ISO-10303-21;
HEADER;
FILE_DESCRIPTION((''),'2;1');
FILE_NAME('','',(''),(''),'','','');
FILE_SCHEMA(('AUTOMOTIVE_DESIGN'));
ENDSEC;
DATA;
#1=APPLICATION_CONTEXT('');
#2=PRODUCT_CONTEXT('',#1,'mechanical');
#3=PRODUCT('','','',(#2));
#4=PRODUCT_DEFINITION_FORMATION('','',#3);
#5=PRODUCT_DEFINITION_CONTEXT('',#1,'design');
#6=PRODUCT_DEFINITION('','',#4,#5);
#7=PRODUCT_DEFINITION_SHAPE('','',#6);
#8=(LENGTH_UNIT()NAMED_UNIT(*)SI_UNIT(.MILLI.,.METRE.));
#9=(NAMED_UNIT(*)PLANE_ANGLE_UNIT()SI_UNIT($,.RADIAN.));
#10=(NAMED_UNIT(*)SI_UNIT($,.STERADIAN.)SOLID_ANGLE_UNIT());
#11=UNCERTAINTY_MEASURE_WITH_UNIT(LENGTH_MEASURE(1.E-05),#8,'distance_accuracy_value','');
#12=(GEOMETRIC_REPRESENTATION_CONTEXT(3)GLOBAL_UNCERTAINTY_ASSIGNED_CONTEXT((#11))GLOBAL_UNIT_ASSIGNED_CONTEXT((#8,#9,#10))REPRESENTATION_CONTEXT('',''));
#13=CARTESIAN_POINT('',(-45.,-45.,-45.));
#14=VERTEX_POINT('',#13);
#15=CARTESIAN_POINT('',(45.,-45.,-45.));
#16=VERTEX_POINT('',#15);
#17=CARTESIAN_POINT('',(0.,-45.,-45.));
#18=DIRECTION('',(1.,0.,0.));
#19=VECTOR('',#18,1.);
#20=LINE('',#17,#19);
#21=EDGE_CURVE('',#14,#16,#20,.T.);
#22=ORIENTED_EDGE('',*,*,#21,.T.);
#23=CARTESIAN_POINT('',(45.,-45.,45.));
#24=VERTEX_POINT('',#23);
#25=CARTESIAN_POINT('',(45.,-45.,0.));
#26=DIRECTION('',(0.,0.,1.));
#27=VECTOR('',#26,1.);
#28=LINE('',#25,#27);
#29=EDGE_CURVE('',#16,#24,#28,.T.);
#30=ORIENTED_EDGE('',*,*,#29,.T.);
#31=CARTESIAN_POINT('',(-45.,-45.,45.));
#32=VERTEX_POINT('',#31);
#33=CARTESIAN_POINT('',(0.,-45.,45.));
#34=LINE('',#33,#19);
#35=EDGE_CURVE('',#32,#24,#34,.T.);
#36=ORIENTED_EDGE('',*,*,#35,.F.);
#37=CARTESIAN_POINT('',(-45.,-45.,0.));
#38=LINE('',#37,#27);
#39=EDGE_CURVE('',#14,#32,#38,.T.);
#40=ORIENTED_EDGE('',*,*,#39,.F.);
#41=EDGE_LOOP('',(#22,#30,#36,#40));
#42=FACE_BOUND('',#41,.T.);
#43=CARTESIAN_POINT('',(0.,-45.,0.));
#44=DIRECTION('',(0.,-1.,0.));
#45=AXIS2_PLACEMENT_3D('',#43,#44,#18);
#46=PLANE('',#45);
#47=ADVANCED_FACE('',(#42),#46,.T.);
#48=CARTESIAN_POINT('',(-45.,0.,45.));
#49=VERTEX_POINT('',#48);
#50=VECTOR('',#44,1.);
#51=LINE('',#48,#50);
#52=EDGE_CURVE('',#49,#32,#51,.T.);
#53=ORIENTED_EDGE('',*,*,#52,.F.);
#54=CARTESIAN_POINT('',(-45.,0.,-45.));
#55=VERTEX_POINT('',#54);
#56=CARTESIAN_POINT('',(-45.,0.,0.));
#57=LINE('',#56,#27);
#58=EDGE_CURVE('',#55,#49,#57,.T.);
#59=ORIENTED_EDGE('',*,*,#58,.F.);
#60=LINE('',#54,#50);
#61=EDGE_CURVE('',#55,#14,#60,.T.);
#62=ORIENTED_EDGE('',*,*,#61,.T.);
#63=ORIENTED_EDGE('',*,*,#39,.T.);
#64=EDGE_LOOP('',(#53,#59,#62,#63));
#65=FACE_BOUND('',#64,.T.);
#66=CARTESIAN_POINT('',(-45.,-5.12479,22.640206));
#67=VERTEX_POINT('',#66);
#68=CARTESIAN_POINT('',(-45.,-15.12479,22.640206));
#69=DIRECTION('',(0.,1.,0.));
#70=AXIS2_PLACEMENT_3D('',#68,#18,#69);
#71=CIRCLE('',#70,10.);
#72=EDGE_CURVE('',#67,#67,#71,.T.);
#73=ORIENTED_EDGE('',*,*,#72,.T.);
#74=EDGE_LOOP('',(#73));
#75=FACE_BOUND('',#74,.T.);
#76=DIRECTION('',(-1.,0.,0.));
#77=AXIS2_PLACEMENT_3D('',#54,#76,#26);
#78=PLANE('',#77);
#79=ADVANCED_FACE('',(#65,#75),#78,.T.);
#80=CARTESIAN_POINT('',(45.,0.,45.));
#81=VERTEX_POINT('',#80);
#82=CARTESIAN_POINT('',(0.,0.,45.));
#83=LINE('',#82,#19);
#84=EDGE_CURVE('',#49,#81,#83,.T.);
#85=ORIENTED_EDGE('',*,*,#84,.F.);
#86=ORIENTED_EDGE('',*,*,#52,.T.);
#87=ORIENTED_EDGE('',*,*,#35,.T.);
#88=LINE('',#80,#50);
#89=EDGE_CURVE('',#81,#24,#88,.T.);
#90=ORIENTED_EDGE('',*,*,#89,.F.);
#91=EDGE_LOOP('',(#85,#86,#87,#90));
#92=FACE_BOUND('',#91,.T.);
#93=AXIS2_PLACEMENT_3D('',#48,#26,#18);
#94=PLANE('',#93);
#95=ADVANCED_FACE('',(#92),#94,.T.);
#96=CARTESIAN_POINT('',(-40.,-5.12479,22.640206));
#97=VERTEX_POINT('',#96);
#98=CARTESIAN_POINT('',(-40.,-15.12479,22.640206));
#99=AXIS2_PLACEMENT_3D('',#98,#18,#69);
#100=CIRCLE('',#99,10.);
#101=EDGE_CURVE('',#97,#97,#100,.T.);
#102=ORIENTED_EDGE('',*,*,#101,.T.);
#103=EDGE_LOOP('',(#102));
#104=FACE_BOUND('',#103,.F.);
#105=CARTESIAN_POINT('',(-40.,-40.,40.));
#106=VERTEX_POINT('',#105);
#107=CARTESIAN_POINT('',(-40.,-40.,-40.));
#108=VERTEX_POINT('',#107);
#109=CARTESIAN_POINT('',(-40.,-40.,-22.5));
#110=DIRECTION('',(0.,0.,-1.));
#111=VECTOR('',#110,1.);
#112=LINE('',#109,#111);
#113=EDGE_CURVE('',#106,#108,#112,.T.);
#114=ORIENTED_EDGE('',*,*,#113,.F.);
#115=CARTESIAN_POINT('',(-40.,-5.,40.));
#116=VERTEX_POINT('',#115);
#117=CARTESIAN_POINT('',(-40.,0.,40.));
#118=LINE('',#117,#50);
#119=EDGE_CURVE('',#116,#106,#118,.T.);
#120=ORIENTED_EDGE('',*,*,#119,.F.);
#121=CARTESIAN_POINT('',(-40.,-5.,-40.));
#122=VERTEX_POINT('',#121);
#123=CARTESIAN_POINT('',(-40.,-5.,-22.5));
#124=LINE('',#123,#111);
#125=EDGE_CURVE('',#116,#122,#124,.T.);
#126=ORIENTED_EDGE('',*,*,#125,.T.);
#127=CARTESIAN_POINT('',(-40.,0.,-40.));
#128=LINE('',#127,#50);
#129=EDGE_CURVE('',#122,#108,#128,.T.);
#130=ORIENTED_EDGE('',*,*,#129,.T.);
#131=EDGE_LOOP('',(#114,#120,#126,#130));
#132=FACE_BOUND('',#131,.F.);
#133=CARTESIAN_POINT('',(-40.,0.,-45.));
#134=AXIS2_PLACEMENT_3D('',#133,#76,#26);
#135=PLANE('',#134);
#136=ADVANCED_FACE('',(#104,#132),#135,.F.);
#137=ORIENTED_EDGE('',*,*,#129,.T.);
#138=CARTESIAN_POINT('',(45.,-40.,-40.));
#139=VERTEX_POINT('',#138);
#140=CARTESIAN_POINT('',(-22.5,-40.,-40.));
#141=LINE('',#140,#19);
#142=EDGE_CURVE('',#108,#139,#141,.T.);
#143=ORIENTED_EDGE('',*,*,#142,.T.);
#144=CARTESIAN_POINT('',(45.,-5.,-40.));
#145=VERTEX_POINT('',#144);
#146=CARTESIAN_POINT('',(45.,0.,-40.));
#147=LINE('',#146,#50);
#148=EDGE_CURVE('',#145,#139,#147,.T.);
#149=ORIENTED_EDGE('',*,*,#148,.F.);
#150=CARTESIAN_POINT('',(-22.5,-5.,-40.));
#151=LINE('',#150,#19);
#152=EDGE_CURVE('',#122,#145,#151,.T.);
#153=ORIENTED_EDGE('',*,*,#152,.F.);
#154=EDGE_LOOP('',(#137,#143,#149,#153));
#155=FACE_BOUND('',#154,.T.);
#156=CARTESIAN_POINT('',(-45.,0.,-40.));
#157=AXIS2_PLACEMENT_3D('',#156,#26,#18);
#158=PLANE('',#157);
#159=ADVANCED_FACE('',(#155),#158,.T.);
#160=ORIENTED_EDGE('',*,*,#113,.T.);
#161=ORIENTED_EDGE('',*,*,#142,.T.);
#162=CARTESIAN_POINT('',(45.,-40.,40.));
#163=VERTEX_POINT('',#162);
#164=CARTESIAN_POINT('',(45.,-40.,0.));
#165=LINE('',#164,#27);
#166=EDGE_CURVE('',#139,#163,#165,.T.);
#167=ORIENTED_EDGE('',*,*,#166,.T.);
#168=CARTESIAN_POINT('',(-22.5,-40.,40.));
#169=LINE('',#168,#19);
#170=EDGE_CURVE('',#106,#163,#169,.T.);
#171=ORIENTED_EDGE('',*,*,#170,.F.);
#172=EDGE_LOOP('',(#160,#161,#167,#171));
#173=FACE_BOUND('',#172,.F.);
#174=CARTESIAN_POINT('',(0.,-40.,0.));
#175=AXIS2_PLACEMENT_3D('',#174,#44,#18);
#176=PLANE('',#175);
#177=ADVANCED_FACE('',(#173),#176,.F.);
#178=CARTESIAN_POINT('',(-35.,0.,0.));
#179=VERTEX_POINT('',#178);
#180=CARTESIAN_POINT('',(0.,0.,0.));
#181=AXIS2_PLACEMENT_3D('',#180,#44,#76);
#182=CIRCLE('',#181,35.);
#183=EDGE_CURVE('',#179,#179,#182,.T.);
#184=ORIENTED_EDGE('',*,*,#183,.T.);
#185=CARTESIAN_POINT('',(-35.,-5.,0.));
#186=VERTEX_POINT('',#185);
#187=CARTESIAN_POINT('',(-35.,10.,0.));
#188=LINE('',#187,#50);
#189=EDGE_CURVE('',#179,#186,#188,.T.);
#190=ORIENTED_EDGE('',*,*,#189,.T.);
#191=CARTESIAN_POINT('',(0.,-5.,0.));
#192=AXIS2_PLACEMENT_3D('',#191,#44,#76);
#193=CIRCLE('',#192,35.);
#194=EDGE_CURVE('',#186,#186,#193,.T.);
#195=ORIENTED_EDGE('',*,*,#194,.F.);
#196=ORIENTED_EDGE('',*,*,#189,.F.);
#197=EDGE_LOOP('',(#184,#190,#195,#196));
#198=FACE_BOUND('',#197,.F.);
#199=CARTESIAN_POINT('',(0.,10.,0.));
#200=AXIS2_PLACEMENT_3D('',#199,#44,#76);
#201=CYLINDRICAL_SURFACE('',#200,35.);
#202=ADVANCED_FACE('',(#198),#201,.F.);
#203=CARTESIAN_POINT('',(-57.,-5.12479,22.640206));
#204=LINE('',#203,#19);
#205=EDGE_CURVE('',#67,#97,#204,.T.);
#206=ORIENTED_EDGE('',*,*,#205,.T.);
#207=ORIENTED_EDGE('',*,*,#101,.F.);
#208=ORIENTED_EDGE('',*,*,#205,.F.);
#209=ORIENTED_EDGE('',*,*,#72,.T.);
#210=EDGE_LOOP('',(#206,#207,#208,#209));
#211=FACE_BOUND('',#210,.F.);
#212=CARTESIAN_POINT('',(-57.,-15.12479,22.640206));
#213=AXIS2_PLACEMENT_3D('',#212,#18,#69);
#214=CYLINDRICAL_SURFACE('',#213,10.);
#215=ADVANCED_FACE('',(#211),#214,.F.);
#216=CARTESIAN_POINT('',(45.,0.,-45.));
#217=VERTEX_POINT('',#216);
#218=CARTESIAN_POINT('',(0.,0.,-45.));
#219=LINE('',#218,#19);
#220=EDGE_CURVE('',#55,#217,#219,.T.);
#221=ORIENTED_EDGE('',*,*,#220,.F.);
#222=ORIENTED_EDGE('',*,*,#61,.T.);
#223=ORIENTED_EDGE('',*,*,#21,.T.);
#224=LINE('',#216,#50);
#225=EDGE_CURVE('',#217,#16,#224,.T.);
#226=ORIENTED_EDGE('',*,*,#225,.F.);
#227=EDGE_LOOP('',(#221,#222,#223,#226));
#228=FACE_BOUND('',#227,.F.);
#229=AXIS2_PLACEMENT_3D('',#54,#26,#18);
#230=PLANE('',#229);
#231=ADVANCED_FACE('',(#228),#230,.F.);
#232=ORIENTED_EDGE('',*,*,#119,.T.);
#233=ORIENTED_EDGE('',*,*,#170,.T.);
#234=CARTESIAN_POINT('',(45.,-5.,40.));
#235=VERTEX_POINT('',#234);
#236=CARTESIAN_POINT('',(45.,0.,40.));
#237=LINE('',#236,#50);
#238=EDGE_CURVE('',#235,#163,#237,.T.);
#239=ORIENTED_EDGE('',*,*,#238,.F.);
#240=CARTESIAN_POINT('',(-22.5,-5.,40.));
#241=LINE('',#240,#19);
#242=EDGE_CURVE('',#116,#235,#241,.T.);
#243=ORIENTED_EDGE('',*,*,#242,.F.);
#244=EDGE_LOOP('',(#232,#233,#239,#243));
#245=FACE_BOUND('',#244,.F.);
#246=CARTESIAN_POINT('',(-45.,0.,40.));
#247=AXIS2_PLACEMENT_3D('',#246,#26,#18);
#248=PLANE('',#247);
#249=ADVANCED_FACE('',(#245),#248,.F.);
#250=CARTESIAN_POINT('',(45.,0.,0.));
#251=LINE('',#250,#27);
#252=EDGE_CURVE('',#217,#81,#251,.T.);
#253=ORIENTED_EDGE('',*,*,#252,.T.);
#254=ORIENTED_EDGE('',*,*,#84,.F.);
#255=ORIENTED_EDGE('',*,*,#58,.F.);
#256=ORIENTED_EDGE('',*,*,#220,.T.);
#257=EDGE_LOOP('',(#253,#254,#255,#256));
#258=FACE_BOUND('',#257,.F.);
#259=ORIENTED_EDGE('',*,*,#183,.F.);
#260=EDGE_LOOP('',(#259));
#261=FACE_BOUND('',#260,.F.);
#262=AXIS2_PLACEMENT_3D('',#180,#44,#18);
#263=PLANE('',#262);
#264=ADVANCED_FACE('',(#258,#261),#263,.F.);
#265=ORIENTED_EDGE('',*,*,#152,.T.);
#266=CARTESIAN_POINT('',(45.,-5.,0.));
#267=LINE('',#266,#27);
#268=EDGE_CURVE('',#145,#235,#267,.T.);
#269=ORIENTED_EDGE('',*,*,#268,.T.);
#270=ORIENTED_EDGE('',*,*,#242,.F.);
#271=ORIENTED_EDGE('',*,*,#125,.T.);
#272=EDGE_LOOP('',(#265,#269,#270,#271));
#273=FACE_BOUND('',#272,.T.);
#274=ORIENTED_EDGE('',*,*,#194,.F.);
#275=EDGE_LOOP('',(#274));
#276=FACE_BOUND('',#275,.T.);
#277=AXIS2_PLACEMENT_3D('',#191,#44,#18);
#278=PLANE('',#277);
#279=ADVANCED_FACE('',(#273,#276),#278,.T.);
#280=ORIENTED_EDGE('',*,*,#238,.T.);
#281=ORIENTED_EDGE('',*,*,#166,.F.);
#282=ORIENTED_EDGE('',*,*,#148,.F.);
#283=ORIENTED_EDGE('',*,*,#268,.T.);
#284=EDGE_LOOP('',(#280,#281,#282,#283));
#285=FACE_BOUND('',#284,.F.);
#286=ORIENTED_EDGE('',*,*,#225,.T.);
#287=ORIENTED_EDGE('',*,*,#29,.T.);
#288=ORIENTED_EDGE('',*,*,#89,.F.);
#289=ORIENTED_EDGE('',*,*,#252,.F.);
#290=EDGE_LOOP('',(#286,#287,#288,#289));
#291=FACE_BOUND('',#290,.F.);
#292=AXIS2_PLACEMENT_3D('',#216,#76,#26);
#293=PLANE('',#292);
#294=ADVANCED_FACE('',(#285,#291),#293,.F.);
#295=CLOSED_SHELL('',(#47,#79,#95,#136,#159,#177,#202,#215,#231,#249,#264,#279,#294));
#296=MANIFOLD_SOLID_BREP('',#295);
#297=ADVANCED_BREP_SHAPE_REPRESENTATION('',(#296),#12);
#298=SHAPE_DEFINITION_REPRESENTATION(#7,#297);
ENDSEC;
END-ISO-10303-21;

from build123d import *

# Parameters (mm, degrees)
F0_W     = 90
F0_H     = 90
F1_DEPTH = 45
F2_T     = -5
F3_D     = 70
F3_DEPTH = 10
F3_TIP   = 21.030121666
F6_D     = 20
F6_DEPTH = 12
F6_TIP   = 6.0086061903


with BuildPart() as f1:
    # F0 (on Front) → F1 (new body)
    with BuildSketch(Plane.XZ):
        Rectangle(F0_W, F0_H)
    extrude(amount=F1_DEPTH)

    # F2
    f2_openings = [f1.faces().sort_by_distance(p)[0] for p in [
        (45, -22.5, 0),
    ]]
    offset(amount=F2_T, openings=f2_openings)

    # F3
    with Locations(Plane(origin=(0, 0, 0), x_dir=(1, 0, 0), z_dir=(0, 1, 0))):
        with Locations((0, 0)):
            Hole(F3_D / 2, depth=F3_DEPTH)
            with Locations((0, 0, -(F3_DEPTH + F3_TIP / 2))):  # 118° drill point
                Cone(0, F3_D / 2, F3_TIP, mode=Mode.SUBTRACT)

    # F6
    with Locations(Plane(origin=(-45, 0, 0), x_dir=(0, -1, 0), z_dir=(-1, 0, 0))):
        with Locations((15.1247903705, 22.6402059197)):
            Hole(F6_D / 2, depth=F6_DEPTH)
            with Locations((0, 0, -(F6_DEPTH + F6_TIP / 2))):  # 118° drill point
                Cone(0, F6_D / 2, F6_TIP, mode=Mode.SUBTRACT)


solid = f1.part
